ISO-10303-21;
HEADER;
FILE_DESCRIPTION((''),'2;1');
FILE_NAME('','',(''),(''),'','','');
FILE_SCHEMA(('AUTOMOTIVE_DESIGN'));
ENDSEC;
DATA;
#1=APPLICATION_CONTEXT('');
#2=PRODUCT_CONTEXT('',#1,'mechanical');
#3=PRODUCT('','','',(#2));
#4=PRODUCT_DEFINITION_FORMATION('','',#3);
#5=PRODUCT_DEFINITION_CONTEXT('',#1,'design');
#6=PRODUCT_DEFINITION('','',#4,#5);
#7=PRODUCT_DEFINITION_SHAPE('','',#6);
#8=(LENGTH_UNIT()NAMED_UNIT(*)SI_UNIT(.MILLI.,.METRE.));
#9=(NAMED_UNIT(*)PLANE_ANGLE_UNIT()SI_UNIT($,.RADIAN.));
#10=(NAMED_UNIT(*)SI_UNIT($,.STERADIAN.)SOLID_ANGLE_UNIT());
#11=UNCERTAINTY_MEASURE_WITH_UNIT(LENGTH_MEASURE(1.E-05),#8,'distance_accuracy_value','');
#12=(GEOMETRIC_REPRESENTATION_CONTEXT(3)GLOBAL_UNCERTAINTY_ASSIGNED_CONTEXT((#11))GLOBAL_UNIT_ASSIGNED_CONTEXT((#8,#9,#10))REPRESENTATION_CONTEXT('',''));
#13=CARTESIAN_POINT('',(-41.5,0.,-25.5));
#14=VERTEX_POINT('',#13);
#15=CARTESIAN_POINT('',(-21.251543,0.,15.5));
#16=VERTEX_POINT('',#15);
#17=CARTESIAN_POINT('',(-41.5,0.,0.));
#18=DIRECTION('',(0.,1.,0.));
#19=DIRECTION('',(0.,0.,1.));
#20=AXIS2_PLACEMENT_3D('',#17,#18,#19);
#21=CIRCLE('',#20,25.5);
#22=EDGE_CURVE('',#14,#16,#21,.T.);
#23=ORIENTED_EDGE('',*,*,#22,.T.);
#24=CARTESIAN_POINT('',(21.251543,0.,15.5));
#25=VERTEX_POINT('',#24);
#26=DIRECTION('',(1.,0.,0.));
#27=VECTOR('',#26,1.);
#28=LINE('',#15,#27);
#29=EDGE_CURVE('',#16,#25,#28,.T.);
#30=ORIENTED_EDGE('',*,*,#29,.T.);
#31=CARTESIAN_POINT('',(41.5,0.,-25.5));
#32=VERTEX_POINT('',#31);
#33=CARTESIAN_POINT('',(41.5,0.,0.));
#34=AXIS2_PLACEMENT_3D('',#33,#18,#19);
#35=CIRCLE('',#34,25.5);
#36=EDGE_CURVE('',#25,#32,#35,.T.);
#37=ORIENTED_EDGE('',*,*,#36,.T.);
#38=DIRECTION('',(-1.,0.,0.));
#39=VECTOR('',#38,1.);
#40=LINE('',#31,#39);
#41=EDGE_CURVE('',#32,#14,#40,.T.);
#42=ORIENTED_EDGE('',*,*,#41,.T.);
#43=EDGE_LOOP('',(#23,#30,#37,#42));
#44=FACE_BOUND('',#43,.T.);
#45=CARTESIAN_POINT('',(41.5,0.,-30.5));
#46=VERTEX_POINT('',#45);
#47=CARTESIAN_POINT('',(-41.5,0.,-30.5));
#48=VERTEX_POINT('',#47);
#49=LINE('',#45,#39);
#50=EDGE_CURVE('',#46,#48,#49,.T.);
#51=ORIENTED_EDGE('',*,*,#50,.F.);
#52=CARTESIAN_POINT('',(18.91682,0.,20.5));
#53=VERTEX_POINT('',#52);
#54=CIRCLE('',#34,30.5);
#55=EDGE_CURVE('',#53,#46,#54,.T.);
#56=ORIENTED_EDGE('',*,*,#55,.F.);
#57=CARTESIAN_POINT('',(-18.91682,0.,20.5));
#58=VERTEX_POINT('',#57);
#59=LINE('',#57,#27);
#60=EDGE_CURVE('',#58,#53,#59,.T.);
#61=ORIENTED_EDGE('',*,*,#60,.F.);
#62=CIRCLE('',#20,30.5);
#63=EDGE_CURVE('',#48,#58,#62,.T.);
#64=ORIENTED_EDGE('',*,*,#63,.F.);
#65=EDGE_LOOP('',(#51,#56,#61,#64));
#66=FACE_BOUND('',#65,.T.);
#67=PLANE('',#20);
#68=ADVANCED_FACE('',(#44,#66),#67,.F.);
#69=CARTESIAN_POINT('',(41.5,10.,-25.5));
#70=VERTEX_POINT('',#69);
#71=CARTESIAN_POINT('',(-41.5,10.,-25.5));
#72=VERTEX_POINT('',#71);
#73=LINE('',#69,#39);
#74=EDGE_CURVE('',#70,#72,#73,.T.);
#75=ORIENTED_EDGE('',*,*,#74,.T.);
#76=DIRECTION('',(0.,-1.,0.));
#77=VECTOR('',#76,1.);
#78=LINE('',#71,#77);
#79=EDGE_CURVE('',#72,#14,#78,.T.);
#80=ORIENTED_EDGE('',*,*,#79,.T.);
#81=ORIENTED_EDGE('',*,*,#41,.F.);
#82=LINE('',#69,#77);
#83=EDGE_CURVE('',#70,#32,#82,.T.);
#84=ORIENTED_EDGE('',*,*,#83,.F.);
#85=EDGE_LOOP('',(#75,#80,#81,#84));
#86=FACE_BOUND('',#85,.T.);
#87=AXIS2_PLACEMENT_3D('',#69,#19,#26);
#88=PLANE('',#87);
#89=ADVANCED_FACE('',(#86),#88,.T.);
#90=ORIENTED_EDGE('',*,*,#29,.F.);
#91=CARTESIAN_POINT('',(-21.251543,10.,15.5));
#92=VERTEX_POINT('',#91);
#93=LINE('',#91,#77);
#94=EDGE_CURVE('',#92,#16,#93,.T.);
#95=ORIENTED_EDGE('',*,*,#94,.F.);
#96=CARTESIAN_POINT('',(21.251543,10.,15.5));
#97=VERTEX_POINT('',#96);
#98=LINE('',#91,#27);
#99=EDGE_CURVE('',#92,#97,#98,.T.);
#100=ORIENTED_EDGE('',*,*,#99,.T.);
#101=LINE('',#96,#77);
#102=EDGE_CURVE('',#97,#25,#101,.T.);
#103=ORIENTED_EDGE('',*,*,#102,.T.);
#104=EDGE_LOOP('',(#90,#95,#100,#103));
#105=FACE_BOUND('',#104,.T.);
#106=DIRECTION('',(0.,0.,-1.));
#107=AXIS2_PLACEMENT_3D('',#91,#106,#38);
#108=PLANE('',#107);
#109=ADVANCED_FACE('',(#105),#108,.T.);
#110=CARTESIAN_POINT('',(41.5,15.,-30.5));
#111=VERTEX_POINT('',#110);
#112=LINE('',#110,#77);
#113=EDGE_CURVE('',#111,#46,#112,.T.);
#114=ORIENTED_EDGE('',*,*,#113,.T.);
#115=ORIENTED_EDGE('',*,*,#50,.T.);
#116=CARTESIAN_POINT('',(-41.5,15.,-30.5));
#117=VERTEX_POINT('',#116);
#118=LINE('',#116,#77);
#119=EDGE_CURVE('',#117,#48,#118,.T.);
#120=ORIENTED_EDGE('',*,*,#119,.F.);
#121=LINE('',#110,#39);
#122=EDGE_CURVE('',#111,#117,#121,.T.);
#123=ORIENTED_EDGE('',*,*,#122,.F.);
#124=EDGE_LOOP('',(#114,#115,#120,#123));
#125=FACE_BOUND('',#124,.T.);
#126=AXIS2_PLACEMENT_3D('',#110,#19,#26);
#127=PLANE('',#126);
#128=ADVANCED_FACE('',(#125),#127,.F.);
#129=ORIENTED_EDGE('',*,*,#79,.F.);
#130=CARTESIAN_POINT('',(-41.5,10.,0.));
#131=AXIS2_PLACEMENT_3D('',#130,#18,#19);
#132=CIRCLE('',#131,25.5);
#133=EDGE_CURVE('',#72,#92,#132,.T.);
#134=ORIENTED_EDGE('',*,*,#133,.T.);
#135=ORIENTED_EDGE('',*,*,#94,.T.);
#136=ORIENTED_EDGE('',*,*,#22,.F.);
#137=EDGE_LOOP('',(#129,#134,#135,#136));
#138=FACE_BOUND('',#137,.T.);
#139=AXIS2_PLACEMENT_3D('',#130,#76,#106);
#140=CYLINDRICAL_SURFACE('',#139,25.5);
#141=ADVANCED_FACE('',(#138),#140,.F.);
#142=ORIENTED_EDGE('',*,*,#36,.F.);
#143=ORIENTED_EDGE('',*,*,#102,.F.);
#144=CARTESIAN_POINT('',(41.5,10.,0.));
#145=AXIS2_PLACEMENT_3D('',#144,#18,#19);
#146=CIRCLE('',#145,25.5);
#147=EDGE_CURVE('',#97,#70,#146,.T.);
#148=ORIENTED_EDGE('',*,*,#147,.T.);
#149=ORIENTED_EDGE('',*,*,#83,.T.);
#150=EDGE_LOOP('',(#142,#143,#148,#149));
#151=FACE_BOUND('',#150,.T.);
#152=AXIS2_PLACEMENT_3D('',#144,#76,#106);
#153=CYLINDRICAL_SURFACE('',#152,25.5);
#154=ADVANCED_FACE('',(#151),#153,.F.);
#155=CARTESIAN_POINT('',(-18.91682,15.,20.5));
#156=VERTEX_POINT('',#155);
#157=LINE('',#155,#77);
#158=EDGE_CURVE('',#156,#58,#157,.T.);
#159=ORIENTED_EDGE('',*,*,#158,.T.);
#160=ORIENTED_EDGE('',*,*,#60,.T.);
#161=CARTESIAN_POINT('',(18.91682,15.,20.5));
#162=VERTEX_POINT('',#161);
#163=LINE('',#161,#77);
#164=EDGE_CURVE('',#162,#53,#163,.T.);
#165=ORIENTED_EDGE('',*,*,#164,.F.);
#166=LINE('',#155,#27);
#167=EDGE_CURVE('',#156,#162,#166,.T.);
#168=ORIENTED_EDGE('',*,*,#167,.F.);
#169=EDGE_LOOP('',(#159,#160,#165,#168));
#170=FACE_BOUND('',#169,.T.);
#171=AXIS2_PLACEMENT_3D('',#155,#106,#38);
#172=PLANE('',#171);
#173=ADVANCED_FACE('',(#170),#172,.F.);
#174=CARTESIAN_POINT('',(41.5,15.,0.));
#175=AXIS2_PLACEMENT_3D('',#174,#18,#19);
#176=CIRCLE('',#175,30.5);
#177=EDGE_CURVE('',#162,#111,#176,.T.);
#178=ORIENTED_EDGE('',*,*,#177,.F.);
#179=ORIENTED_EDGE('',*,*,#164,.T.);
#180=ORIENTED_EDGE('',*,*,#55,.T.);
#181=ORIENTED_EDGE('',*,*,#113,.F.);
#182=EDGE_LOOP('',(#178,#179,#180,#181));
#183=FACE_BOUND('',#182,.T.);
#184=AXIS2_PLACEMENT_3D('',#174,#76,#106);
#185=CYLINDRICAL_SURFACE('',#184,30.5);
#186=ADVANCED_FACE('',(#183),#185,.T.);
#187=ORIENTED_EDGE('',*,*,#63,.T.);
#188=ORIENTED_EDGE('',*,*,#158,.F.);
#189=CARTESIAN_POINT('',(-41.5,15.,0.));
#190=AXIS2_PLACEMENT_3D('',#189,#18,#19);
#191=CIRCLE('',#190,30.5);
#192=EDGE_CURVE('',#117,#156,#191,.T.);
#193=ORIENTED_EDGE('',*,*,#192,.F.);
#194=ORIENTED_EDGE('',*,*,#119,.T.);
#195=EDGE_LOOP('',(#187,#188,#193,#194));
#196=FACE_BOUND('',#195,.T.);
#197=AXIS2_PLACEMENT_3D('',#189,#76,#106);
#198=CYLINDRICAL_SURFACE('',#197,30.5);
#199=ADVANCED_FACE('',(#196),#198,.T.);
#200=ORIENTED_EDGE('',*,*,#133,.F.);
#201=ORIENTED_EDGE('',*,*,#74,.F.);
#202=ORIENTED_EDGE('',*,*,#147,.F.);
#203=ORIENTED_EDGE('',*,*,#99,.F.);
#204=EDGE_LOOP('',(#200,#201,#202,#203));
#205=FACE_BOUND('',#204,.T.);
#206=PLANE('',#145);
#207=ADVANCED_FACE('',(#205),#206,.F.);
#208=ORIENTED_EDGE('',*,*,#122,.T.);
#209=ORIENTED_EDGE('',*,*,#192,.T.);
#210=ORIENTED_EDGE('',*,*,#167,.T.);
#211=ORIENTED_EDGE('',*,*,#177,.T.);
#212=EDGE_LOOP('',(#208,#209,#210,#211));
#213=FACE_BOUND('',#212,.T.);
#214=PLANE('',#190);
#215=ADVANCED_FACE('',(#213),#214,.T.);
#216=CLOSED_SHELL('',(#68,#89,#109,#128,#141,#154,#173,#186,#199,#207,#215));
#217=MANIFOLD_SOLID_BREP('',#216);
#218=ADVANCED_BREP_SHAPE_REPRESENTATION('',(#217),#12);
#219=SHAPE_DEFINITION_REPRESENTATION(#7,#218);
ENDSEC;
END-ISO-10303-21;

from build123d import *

# Parameters (mm, degrees)
BOSS_EXTRUDE1_DEPTH = 15
CUT_EXTRUDE1_DEPTH  = 10


with BuildPart() as part:
    # Sketch1 → Boss-Extrude1 (new body)
    with BuildSketch(Plane(origin=(0, 0, 0), x_dir=(1, 0, 0), z_dir=(0, 1, 0))):
        with BuildLine():
            Line((41.5, 30.5), (-41.5, 30.5))
            ThreePointArc((-41.5, 30.5), (-69.388169535, -12.349089035), (-18.916820419, -20.5))
            Line((-18.916820419, -20.5), (18.916820419, -20.5))
            ThreePointArc((18.916820419, -20.5), (69.388169535, -12.349089035), (41.5, 30.5))
        make_face()
    extrude(amount=BOSS_EXTRUDE1_DEPTH)

    # Sketch2 → Cut-Extrude1 (cut)
    with BuildSketch(Plane(origin=(0, 0, 0), x_dir=(1, 0, 0), z_dir=(0, 1, 0))):
        with BuildLine():
            Line((41.5, 25.5), (-41.5, 25.5))
            ThreePointArc((-41.5, 25.5), (-64.36372673, -11.291589791), (-21.251543269, -15.5))
            Line((-21.251543269, -15.5), (21.251543269, -15.5))
            ThreePointArc((21.251543269, -15.5), (64.36372673, -11.291589791), (41.5, 25.5))
        make_face()
    extrude(amount=CUT_EXTRUDE1_DEPTH, mode=Mode.SUBTRACT)


solid = part.part
